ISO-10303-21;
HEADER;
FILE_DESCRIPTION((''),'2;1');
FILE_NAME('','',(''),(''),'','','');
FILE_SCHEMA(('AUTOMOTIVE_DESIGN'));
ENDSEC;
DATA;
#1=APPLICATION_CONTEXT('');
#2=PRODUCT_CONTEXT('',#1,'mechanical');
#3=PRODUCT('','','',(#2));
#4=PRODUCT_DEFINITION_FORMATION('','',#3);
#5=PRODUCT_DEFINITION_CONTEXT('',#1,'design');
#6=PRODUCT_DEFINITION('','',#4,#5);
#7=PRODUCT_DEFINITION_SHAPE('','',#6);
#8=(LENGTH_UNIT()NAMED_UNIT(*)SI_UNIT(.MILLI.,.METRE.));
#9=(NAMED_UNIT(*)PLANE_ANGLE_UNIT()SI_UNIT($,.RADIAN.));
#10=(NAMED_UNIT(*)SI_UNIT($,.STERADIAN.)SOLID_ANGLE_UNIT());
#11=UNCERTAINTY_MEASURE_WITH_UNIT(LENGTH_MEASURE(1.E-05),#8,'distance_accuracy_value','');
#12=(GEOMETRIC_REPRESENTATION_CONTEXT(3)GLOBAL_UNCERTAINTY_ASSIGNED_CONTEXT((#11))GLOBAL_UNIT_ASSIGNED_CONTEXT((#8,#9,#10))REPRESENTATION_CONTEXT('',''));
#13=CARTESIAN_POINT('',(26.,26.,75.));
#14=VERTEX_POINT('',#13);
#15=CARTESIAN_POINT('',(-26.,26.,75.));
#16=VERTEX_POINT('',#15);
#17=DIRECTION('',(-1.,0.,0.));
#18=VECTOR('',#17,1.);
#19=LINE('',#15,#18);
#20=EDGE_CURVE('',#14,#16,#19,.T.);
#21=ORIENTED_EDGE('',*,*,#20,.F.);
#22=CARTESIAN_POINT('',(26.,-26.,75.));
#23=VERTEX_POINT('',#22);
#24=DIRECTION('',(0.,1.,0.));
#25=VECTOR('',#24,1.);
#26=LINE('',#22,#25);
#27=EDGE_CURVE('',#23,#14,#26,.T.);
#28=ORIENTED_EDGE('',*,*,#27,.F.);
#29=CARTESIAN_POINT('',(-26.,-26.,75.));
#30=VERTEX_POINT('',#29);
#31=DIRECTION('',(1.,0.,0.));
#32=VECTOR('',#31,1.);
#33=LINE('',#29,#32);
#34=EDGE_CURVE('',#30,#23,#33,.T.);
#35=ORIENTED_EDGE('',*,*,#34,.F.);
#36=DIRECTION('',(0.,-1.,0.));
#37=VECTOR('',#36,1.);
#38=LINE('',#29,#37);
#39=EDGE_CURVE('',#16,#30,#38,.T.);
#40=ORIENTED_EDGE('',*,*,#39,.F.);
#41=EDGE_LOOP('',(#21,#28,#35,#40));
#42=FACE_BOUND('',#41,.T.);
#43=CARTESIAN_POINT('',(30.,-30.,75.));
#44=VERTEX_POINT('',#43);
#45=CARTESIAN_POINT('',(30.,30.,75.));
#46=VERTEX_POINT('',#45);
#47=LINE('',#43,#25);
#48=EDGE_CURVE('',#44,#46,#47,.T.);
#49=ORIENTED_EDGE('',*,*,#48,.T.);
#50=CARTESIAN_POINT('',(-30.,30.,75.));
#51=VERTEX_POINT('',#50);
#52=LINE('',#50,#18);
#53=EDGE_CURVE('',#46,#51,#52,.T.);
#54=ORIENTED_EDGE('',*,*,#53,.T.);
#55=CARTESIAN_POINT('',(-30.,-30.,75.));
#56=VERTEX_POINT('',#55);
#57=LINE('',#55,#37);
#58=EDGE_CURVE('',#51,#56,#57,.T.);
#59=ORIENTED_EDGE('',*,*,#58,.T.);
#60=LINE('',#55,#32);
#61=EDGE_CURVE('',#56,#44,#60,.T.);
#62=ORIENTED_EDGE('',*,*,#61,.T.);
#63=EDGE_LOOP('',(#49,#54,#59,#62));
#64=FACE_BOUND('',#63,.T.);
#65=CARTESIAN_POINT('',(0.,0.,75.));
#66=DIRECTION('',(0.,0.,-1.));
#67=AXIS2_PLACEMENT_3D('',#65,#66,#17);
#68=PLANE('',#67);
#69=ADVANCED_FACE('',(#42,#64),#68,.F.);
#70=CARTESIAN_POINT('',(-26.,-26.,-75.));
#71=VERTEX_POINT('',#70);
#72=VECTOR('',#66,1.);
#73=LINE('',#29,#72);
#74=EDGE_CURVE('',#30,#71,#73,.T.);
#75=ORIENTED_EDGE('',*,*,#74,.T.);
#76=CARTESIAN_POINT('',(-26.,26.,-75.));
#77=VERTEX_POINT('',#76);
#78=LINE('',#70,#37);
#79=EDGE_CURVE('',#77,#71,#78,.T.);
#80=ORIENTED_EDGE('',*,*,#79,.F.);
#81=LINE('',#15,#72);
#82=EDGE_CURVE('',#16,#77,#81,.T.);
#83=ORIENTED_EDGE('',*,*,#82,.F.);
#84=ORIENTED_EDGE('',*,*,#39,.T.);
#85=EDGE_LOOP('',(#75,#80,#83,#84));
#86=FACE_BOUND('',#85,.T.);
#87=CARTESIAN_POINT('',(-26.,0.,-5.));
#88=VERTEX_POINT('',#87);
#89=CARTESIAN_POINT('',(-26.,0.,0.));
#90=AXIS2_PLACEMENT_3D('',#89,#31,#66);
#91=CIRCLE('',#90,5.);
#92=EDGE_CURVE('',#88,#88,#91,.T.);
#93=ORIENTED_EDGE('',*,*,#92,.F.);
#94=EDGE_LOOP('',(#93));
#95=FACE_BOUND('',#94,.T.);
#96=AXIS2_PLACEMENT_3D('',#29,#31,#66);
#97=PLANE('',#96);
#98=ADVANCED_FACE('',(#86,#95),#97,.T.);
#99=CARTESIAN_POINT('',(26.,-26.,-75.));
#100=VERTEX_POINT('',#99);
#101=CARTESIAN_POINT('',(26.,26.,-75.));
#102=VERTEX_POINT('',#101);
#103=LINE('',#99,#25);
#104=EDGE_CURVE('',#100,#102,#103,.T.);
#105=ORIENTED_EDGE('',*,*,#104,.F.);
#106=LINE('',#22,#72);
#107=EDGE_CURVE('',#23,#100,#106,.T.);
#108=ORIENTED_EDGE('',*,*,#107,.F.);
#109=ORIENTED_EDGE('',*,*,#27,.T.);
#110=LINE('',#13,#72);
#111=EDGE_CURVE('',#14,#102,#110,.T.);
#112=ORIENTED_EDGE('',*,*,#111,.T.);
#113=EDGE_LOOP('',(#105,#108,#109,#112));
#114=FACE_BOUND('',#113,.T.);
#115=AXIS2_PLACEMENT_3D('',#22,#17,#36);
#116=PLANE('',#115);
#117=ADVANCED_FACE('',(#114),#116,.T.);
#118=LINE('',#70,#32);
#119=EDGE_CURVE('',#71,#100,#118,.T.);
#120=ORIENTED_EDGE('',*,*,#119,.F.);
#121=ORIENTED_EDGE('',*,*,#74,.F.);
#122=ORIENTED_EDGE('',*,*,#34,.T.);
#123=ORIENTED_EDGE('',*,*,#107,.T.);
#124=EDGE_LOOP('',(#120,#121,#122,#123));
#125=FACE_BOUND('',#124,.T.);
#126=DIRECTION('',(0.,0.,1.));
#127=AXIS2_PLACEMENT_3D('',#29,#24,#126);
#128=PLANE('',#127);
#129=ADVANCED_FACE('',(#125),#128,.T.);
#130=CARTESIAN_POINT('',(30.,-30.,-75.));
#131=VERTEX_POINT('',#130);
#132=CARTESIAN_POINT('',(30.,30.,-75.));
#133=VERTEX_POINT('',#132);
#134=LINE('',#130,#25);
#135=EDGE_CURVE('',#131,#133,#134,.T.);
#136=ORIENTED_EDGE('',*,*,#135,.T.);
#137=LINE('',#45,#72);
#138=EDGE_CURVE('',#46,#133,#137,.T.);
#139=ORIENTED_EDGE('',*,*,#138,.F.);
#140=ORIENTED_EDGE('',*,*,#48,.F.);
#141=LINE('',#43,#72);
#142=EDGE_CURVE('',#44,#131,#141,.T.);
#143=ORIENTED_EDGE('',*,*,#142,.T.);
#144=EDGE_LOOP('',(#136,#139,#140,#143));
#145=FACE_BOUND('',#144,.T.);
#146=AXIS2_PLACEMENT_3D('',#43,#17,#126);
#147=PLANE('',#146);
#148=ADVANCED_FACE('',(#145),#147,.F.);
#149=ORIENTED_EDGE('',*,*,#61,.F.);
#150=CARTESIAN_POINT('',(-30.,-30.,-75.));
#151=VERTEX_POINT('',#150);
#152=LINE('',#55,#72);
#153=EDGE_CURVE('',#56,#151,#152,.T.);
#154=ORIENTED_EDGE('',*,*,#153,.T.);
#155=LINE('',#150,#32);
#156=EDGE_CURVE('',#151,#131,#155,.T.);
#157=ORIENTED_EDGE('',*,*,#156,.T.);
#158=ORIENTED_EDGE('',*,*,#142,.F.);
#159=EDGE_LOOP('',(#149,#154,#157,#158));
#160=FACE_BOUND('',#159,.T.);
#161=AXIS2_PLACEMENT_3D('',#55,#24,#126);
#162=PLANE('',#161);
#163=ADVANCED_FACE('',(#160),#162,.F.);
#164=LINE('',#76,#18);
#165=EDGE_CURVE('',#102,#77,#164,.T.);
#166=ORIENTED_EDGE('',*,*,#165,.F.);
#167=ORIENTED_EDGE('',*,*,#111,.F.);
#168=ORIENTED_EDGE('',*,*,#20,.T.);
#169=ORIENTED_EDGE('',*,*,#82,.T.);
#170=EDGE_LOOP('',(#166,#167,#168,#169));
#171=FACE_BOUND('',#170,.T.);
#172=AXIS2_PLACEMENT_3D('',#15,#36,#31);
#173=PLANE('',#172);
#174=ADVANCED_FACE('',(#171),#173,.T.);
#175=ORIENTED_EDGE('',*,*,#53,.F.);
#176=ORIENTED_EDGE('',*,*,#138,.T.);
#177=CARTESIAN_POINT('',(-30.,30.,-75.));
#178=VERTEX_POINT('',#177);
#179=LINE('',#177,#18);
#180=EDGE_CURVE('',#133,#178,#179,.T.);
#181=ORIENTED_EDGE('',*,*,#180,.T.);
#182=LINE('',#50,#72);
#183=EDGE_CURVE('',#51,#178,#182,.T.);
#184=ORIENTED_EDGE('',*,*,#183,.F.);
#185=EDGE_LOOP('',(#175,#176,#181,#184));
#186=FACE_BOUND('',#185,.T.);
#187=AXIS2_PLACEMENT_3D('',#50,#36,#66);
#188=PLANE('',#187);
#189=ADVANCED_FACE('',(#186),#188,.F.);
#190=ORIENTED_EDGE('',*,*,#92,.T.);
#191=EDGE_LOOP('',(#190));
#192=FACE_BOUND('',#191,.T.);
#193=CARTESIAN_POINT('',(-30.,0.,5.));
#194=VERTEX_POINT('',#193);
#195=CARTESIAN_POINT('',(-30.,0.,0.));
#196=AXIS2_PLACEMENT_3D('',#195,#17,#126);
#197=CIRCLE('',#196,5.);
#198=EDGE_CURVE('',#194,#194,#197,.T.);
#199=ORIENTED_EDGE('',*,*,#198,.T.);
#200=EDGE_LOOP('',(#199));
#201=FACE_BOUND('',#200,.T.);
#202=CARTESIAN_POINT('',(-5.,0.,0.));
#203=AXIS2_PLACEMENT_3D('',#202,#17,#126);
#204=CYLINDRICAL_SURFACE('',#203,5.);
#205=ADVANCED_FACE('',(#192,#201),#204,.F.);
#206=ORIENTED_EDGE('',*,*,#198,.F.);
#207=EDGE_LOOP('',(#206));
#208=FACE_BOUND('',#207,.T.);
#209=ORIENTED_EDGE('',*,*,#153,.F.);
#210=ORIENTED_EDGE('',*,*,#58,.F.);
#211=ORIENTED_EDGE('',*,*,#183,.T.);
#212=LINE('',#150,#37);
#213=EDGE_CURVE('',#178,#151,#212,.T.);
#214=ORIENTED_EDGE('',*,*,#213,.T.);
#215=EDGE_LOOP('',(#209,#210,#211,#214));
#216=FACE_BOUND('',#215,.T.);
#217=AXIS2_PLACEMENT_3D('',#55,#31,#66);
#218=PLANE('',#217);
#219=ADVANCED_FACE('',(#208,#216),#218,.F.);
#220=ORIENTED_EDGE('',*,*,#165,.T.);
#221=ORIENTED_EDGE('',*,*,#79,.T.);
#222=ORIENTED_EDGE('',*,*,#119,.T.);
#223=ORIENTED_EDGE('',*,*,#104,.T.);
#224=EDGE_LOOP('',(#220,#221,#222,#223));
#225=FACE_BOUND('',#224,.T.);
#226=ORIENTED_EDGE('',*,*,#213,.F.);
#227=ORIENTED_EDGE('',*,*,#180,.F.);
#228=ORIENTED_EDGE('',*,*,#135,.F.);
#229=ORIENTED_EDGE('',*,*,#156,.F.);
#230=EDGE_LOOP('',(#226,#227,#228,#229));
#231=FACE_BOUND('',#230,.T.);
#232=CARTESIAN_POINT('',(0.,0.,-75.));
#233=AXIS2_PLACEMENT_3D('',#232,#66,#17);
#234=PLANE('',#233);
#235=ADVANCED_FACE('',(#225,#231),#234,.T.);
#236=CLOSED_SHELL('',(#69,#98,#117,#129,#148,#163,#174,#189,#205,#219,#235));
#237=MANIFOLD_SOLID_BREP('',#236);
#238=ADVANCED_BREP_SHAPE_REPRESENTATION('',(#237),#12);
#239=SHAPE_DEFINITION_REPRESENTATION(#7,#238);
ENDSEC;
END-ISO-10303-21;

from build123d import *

# Parameters (mm, degrees)
SZKIC1_W                    = 60
SZKIC1_H                    = 60
SZKIC1_W_2                  = 52
SZKIC1_H_2                  = 52
DODANIE_WYCI_GNI_CIE1_DEPTH = 75
SZKIC28_R                   = 5
WYTNIJ_WYCI_GNI_CIE1_DEPTH  = 25


with BuildPart() as part:
    # Szkic1 → Dodanie-wyciągnięcie1 (new body, symmetric)
    with BuildSketch(Plane.XY):
        Rectangle(SZKIC1_W, SZKIC1_H)
        Rectangle(SZKIC1_W_2, SZKIC1_H_2, mode=Mode.SUBTRACT)
    extrude(amount=DODANIE_WYCI_GNI_CIE1_DEPTH, both=True)

    # Szkic28 → Wytnij-wyciągnięcie1 (cut)
    with BuildSketch(Plane.ZY.offset(30)):
        Circle(SZKIC28_R)
    extrude(amount=-WYTNIJ_WYCI_GNI_CIE1_DEPTH, mode=Mode.SUBTRACT)


solid = part.part
